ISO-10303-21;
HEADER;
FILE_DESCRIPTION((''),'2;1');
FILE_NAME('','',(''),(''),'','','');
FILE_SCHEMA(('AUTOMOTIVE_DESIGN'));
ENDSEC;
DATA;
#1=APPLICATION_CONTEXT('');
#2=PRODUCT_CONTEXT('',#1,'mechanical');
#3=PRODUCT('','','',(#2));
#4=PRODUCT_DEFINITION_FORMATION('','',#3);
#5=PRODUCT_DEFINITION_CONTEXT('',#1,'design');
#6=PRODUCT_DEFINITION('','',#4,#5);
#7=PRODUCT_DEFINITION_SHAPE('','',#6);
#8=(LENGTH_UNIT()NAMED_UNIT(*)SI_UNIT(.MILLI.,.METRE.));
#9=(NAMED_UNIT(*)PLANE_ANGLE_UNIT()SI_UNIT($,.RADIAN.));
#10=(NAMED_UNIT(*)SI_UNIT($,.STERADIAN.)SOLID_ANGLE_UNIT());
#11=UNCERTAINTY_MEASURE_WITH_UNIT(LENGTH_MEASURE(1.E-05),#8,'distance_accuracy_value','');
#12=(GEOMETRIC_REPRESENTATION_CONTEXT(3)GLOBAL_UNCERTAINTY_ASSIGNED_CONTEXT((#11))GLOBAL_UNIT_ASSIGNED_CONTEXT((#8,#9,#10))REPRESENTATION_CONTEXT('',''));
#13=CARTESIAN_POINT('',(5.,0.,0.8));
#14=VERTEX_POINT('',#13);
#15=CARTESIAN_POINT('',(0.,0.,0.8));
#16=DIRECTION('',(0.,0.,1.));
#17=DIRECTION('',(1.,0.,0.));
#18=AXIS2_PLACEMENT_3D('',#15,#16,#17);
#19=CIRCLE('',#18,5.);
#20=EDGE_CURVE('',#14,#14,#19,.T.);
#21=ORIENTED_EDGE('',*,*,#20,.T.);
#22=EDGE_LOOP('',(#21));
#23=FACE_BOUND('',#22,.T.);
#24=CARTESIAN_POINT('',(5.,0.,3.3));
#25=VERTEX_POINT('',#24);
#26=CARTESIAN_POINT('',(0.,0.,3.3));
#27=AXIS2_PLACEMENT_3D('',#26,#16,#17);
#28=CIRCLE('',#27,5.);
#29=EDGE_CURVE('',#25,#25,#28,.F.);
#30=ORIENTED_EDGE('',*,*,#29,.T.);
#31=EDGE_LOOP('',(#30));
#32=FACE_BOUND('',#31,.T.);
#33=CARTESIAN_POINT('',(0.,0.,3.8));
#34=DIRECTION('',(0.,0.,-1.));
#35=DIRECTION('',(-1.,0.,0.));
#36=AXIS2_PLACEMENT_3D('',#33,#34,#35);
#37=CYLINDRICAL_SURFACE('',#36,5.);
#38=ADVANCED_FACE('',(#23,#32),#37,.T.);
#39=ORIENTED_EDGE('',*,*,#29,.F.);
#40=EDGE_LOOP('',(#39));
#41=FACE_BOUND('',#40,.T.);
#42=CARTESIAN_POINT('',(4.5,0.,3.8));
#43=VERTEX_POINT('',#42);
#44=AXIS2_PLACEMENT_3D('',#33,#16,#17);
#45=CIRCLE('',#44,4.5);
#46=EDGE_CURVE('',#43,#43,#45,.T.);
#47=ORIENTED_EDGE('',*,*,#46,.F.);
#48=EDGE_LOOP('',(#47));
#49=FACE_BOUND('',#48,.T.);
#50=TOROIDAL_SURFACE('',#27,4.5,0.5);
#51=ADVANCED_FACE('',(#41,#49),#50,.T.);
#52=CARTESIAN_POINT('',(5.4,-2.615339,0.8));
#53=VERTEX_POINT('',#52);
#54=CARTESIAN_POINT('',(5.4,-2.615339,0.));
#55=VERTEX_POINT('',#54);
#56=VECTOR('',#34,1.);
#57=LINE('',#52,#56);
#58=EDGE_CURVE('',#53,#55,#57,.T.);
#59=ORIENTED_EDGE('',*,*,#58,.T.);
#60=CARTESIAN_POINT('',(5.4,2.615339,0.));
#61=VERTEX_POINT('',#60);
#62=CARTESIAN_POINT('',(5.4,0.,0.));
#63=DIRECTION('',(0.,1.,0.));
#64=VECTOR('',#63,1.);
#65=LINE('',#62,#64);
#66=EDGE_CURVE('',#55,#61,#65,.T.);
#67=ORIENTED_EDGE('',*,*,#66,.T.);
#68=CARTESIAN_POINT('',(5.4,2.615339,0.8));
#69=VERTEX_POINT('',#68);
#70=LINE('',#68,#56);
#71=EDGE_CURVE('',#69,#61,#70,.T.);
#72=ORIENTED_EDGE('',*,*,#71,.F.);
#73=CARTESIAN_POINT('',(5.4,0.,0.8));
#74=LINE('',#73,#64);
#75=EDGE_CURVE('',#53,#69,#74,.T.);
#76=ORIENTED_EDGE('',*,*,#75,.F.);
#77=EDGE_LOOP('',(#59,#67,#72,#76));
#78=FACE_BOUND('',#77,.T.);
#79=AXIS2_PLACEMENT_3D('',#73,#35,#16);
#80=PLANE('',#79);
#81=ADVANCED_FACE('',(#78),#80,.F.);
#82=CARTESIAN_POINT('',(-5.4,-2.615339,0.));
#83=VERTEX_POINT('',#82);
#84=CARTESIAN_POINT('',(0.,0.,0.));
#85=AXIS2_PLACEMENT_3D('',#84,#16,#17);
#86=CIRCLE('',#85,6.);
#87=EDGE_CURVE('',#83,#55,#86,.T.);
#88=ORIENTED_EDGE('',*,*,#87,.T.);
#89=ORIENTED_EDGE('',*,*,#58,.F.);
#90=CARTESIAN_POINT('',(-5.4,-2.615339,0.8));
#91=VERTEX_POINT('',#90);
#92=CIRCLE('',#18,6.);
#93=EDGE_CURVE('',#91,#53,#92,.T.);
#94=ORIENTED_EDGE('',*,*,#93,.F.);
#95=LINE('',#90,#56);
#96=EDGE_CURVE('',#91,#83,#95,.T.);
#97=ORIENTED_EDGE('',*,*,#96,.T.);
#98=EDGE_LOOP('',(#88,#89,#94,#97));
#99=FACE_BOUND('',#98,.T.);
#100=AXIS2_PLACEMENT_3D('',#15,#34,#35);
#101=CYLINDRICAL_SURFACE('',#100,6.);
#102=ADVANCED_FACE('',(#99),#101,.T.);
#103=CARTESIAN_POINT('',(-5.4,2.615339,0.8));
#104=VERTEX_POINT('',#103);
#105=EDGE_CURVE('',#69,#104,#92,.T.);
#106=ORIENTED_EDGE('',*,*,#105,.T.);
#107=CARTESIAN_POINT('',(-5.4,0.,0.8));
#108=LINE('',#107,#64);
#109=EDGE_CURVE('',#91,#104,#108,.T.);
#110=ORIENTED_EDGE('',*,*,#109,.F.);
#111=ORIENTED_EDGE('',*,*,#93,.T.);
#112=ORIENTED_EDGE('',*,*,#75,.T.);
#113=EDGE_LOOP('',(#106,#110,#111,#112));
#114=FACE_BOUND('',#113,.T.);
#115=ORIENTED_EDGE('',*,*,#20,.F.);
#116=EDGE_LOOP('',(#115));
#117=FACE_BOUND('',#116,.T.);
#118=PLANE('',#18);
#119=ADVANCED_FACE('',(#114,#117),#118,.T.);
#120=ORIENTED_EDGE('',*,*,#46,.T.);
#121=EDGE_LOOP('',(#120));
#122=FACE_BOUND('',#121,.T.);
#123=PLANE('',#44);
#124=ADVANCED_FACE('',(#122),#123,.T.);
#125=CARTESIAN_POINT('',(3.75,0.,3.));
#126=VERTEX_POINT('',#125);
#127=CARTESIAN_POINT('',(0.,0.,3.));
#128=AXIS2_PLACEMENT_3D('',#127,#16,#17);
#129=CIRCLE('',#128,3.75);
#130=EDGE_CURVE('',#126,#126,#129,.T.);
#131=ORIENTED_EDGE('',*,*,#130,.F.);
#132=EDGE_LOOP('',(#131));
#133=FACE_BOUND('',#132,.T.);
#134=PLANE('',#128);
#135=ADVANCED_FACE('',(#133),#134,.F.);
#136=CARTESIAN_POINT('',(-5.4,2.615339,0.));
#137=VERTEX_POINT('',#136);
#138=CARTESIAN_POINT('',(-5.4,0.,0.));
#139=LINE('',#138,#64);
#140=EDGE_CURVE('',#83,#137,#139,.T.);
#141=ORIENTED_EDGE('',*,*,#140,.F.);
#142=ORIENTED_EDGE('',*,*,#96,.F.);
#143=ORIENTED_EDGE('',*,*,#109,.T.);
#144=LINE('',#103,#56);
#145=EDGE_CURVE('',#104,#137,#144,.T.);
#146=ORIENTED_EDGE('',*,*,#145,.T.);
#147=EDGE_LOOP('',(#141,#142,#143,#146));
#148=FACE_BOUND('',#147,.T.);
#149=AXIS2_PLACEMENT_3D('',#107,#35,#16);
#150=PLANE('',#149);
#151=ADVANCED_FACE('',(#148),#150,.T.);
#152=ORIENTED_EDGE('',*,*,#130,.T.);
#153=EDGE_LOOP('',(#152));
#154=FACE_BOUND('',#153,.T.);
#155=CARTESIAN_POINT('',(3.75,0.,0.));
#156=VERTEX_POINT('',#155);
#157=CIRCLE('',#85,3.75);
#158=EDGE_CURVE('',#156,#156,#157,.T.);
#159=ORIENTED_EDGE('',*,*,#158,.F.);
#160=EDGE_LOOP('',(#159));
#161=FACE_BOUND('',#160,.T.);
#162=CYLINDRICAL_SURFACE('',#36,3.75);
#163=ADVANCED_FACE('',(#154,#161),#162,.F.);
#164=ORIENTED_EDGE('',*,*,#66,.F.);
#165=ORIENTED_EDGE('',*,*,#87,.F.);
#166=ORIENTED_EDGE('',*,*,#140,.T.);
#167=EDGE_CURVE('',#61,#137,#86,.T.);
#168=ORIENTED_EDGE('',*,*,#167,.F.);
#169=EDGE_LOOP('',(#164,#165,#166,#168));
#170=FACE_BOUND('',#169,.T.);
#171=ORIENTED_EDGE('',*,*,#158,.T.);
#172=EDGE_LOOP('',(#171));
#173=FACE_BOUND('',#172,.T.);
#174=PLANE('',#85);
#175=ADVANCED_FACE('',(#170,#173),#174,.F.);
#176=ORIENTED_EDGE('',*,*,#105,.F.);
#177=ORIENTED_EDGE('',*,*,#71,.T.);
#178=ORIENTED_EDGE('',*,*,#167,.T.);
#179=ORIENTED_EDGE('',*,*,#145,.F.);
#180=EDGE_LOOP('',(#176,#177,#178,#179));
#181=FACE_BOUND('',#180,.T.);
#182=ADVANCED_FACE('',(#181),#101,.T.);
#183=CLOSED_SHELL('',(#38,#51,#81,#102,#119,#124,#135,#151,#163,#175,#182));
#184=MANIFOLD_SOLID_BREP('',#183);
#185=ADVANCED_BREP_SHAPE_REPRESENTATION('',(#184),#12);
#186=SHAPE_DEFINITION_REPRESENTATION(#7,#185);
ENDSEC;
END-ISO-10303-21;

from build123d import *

# Parameters (mm, degrees)
SKETCH_2_R      = 5
EXTRUDE_1_DEPTH = 0.8
SKETCH_2_3_R    = 5
SKETCH_2_3_R_2  = 3.75
EXTRUDE_2_DEPTH = 3.8
SKETCH_3_R      = 3.75
EXTRUDE_3_DEPTH = 0.8
FILLET_1_R      = 0.5


with BuildPart() as part:
    # Sketch 2 → Extrude 1 (new body)
    with BuildSketch(Plane.XY):
        with BuildLine():
            Line((-5.4, 2.615339366), (-5.4, -2.615339366))
            ThreePointArc((-5.4, -2.615339366), (0, -6), (5.4, -2.615339366))
            Line((5.4, -2.615339366), (5.4, 2.615339366))
            ThreePointArc((5.4, 2.615339366), (0, 6), (-5.4, 2.615339366))
        make_face()
        Circle(SKETCH_2_R, mode=Mode.SUBTRACT)
    extrude(amount=EXTRUDE_1_DEPTH)

    # Sketch 2_3 → Extrude 2 (add)
    with BuildSketch(Plane.XY):
        Circle(SKETCH_2_3_R)
        Circle(SKETCH_2_3_R_2, mode=Mode.SUBTRACT)
    extrude(amount=EXTRUDE_2_DEPTH)

    # Sketch 3 → Extrude 3 (add)
    with BuildSketch(Plane.XY.offset(3.8)):
        Circle(SKETCH_3_R)
    extrude(amount=-EXTRUDE_3_DEPTH)

    # Fillet 1
    fillet_1_edges = [part.edges().sort_by_distance(p)[0] for p in [
        (-5, 0, 3.8),
    ]]
    fillet(fillet_1_edges, radius=FILLET_1_R)


solid = part.part
